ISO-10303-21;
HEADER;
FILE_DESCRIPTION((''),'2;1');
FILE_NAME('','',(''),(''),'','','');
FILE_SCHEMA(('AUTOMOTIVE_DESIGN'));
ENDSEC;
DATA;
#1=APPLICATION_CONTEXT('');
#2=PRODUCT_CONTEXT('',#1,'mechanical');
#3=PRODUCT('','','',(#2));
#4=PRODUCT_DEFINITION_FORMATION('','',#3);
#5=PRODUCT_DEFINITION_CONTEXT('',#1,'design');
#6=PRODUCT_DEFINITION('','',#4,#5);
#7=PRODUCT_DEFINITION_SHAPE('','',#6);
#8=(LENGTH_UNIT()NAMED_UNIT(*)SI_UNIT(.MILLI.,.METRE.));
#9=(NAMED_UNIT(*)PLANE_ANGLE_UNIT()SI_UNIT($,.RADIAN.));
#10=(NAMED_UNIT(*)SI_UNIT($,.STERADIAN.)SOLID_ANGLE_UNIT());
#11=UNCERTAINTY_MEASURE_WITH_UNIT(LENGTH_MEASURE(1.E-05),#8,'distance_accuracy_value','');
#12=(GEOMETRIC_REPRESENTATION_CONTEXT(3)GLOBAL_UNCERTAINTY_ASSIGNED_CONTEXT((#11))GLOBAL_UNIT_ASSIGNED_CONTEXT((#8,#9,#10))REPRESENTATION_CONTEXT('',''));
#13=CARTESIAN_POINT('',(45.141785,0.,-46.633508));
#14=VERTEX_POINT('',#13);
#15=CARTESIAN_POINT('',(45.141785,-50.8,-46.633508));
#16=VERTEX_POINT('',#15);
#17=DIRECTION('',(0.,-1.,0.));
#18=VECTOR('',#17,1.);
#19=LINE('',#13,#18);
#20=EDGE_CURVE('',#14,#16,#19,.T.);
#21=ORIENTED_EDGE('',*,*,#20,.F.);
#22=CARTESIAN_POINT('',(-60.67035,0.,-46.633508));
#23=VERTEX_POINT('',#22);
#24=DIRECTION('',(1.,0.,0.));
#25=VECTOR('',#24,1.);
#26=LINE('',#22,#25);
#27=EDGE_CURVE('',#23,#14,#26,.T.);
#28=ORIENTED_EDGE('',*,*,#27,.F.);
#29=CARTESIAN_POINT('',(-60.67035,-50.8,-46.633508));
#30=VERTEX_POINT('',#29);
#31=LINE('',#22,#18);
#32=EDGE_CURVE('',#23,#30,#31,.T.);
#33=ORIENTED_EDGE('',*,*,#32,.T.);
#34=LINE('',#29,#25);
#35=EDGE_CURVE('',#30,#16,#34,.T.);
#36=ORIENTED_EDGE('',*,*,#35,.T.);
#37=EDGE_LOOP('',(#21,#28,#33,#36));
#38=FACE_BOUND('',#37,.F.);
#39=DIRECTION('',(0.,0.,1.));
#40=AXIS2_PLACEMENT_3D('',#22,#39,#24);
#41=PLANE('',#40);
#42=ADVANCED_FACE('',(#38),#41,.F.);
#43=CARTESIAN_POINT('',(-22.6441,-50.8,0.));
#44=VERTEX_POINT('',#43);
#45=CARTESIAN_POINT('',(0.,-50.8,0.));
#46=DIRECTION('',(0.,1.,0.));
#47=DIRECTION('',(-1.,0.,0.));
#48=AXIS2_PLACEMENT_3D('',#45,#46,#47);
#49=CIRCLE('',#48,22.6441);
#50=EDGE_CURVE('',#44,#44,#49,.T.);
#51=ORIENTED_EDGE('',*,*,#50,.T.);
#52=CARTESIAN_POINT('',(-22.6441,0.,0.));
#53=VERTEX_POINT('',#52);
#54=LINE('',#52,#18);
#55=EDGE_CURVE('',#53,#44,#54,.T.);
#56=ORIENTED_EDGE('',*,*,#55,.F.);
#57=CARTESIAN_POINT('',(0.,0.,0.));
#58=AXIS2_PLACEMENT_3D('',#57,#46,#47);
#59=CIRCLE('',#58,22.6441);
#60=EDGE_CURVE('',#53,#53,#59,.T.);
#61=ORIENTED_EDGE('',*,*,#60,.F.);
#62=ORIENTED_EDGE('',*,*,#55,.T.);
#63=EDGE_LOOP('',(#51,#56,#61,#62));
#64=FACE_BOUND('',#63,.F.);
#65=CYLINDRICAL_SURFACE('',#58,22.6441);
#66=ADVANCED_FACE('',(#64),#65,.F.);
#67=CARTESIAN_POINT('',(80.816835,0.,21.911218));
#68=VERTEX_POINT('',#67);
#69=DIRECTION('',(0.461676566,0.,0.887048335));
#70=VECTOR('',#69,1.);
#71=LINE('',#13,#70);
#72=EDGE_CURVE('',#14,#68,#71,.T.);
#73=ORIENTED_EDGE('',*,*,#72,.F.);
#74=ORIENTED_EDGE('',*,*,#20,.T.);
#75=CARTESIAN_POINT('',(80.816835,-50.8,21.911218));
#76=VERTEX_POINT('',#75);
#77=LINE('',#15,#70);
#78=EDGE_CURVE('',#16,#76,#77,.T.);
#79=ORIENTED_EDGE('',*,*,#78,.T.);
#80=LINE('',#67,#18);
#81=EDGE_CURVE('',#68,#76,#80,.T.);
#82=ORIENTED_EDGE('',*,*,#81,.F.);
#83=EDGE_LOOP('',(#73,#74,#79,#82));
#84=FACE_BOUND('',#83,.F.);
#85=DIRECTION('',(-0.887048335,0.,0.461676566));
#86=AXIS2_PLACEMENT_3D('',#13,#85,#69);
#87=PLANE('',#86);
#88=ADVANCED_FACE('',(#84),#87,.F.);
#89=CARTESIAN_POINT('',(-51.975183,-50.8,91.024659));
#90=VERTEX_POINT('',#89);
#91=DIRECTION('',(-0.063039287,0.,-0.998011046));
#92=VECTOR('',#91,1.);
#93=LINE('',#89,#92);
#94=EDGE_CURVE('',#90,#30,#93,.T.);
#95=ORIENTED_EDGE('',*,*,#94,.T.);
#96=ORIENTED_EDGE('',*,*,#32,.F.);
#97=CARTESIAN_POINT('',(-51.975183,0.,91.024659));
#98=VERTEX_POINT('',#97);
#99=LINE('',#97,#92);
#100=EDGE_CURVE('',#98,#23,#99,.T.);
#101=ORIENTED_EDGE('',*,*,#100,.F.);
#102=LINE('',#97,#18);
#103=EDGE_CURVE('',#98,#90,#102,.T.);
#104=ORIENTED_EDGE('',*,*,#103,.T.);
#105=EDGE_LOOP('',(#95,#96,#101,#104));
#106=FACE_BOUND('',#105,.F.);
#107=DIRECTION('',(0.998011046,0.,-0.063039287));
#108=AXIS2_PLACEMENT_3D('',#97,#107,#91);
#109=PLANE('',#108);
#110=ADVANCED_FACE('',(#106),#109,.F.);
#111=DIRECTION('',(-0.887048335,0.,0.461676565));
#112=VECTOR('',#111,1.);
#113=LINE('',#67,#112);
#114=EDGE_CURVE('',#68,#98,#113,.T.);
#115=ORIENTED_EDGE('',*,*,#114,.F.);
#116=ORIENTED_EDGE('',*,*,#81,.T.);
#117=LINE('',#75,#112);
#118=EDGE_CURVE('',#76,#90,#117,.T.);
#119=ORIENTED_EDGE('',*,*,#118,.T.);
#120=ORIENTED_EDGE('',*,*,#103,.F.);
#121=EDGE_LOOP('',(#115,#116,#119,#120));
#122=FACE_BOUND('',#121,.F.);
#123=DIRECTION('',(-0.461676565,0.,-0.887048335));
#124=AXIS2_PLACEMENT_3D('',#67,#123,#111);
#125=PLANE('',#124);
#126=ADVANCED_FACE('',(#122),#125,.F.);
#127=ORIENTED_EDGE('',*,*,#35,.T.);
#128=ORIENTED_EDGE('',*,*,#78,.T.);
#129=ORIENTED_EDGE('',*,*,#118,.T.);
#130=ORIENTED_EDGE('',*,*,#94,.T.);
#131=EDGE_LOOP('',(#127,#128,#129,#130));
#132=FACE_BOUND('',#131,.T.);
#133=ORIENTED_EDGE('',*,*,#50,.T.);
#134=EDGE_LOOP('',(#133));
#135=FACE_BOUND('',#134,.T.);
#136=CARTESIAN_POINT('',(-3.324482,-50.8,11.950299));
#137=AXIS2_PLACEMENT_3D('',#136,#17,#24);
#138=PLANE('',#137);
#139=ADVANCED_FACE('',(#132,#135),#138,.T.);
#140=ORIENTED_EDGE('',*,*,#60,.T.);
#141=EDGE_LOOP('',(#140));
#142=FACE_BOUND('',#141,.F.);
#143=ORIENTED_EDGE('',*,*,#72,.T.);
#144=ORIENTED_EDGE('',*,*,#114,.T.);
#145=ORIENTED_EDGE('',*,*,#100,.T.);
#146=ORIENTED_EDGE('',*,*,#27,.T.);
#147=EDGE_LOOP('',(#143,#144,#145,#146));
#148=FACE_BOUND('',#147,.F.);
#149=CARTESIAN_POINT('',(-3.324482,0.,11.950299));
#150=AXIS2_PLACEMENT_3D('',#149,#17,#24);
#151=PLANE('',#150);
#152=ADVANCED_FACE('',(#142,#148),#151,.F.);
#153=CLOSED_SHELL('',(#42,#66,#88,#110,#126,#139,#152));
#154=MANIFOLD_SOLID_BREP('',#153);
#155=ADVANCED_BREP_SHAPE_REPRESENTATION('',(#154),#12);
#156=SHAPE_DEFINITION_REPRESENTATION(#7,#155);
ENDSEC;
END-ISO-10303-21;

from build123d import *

# Parameters (mm, degrees)
F1_DEPTH = 50.8
F2_R     = 22.6441
F3_DEPTH = 127


with BuildPart() as f1:
    # F0 (on Front) → F1 (new body)
    with BuildSketch(Plane.XZ):
        Polygon((80.816835, 21.911218), (-51.975183, 91.024659), (-60.67035, -46.633508), (45.141785, -46.633508), align=None)
    extrude(amount=F1_DEPTH)

    # F2 (on face) → F3 (cut)
    with BuildSketch(Plane(origin=(0, 0, 0), x_dir=(-1, 0, 0), z_dir=(0, 1, 0))):
        Circle(F2_R)
    extrude(amount=-F3_DEPTH, mode=Mode.SUBTRACT)


solid = f1.part
